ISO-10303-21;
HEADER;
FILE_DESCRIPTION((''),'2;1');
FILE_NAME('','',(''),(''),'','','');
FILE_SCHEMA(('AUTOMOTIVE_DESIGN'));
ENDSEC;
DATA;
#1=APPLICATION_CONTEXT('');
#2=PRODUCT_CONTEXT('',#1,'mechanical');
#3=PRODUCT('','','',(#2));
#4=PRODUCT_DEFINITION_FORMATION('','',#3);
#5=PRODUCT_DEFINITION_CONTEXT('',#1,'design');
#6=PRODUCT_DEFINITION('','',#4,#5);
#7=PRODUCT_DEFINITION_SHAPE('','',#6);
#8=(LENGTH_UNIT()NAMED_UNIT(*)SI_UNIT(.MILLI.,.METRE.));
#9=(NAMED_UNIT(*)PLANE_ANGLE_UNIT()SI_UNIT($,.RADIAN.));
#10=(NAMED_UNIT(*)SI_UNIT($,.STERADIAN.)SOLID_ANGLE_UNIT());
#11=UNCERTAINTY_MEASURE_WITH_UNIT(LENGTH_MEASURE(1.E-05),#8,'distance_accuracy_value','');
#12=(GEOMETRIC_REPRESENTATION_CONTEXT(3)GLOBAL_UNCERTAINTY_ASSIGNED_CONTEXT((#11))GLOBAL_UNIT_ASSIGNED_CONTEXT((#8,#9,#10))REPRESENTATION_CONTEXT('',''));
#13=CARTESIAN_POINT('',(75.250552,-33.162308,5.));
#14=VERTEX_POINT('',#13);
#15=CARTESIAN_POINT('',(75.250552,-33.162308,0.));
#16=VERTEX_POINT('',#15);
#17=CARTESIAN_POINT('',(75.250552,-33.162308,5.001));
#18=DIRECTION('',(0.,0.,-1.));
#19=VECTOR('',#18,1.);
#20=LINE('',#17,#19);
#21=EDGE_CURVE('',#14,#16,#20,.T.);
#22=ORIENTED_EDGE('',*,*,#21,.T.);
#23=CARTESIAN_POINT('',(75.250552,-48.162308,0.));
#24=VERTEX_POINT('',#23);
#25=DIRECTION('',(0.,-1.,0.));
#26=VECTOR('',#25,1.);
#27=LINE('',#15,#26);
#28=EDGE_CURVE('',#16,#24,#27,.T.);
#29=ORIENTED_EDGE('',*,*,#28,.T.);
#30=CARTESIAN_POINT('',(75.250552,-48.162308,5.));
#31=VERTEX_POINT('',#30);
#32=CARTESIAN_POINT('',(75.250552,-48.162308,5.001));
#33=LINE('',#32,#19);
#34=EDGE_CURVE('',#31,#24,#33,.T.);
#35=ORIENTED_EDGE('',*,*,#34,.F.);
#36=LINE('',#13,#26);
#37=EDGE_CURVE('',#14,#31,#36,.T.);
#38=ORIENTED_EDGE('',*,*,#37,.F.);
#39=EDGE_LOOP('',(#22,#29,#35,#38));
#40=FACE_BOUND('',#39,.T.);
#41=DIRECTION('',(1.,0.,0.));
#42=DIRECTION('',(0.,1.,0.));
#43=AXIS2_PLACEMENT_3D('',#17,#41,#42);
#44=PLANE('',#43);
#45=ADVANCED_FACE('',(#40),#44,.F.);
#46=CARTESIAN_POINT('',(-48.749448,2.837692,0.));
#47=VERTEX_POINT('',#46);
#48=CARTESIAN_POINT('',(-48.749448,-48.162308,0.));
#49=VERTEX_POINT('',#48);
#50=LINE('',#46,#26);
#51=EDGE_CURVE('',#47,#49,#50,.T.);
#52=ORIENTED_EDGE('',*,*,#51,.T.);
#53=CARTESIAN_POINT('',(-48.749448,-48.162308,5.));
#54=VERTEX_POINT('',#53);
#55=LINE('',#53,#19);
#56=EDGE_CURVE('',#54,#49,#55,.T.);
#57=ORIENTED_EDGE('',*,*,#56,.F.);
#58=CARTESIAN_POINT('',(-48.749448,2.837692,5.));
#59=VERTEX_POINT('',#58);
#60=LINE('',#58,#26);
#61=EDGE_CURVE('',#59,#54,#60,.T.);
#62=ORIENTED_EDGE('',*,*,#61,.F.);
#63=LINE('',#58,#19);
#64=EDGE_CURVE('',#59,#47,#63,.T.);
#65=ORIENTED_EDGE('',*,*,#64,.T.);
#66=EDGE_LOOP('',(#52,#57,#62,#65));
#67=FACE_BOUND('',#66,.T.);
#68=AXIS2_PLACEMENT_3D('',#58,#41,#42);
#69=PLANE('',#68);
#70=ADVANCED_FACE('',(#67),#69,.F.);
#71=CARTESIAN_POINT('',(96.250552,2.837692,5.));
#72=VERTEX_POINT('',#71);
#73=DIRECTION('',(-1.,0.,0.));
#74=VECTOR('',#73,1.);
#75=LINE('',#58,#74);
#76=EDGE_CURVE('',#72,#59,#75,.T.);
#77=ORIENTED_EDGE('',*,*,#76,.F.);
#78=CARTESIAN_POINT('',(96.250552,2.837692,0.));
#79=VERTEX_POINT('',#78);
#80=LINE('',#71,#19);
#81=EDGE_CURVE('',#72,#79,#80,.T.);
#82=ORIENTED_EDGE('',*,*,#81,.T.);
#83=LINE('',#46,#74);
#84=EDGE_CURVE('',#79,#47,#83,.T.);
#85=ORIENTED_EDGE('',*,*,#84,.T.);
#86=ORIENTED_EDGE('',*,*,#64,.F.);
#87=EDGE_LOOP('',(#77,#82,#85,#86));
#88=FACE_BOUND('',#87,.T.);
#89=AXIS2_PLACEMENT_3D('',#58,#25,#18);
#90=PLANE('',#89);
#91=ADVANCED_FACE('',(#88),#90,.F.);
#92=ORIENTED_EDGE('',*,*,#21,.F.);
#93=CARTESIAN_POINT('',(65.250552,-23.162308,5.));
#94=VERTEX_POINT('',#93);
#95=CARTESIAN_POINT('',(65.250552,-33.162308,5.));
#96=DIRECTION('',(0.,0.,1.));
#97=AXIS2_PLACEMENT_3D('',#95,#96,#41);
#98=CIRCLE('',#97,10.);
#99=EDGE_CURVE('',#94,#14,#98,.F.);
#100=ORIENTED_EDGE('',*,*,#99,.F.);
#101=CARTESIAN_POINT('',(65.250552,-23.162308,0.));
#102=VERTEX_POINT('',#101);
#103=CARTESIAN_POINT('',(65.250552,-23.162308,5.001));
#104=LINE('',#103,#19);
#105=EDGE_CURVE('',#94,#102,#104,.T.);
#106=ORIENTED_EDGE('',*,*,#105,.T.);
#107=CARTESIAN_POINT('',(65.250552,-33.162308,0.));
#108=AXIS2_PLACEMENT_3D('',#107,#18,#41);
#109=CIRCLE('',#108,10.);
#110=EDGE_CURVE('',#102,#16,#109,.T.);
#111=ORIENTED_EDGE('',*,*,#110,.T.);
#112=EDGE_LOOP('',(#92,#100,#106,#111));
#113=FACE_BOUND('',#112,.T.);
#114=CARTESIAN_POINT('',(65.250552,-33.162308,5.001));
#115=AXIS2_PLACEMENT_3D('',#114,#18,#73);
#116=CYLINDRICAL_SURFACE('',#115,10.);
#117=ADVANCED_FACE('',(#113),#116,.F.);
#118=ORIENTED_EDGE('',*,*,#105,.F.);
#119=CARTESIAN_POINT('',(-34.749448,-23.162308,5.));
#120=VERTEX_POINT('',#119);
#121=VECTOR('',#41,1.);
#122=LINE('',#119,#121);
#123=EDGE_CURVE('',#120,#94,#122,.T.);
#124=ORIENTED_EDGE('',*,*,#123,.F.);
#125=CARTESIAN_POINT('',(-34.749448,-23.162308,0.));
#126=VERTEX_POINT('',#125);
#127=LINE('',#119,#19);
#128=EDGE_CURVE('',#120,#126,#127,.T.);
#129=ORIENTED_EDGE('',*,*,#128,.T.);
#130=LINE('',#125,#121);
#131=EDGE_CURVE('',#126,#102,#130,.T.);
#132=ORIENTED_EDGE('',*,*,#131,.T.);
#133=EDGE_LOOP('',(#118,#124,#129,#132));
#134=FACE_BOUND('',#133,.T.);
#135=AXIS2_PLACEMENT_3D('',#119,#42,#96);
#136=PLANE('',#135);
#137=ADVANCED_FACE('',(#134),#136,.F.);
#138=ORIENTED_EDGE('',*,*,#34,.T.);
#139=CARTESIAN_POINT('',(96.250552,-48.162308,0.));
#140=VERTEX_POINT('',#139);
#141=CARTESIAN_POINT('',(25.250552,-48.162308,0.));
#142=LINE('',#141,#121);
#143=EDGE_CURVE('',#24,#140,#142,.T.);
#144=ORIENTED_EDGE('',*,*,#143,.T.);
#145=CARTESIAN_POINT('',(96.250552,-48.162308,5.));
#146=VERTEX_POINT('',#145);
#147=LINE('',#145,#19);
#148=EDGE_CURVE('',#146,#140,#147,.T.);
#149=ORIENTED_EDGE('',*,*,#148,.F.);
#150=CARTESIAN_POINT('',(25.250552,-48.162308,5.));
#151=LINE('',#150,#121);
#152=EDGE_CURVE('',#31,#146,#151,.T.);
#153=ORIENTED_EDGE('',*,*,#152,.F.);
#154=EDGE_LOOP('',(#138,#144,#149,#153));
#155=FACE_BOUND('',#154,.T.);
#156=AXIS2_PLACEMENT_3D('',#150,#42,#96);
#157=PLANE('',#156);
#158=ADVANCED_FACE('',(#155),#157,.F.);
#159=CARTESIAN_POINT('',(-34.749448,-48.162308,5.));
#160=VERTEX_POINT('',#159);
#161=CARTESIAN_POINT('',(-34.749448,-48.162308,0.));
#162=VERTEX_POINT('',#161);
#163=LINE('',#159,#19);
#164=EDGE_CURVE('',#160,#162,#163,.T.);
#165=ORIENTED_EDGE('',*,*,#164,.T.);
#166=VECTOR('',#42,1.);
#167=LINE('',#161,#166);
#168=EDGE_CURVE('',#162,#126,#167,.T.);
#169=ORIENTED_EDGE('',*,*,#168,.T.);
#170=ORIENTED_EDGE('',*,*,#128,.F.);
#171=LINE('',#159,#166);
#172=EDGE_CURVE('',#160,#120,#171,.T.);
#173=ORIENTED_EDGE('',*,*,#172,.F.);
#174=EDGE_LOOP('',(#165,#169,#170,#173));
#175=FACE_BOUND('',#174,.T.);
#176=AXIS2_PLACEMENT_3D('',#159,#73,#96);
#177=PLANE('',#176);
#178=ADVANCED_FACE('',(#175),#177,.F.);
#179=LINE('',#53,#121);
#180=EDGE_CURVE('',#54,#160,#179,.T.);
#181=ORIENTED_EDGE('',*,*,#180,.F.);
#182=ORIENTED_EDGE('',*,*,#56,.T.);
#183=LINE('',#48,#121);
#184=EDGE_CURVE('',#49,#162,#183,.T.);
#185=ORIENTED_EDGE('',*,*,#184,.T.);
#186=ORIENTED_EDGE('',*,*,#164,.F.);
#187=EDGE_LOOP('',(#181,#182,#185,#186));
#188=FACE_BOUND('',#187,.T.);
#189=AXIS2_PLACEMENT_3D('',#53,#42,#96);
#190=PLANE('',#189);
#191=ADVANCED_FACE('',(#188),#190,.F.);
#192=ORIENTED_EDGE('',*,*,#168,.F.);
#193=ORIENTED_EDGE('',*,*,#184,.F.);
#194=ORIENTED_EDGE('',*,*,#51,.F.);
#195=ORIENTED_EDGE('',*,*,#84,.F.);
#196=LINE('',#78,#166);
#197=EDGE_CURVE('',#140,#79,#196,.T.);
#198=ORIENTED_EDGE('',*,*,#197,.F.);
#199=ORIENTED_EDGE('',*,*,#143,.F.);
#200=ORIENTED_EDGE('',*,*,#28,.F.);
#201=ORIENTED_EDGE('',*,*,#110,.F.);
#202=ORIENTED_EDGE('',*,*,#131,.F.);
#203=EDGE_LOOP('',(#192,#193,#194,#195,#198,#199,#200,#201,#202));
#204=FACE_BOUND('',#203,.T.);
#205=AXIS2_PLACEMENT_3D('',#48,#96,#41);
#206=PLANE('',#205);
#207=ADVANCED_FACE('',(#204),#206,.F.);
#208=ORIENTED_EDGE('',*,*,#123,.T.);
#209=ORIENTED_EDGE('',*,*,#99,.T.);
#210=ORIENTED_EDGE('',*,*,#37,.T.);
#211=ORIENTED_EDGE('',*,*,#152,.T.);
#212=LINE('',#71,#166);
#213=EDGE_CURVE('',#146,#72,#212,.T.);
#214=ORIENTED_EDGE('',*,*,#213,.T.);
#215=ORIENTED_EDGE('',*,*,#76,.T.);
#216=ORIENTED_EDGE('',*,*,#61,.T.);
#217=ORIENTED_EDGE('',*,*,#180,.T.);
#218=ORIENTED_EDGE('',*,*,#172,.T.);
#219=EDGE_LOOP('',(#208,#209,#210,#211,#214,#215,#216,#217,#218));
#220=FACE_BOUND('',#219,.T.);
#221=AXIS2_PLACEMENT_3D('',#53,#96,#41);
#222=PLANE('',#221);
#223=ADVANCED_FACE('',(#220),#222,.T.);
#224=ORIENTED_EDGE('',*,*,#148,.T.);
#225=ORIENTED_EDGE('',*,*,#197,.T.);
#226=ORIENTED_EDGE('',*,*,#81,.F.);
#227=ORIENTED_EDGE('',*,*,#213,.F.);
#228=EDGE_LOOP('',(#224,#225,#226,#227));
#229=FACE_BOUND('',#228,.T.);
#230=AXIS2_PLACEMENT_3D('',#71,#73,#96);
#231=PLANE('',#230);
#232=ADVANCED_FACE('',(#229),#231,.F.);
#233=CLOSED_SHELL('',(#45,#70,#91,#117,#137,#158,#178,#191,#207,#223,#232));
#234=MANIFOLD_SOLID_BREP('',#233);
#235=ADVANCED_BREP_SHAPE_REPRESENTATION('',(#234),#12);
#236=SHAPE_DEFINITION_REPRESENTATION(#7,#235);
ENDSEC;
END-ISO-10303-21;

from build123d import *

# Parameters (mm, degrees)
EXTRUSION1_DEPTH = 5
EXTRUSION2_REACH = 109.744


with BuildPart() as part:
    # Esquisse1 → Extrusion1 (new body)
    with BuildSketch(Plane.XY):
        Polygon((-48.749448329, -48.162307692), (-34.749448329, -48.162307692), (-34.749448329, -23.162307692), (25.250551671, -23.162307692), (25.250551671, -48.162307692), (96.250551671, -48.162307692), (96.250551671, 2.837692308), (-48.749448329, 2.837692308), align=None)
    extrude(amount=EXTRUSION1_DEPTH)

    # Esquisse3 → Extrusion2 (cut, up to next)
    with BuildSketch(Plane(origin=(0, 0, 0), x_dir=(-1, 0, 0), z_dir=(0, 0, -1)), mode=Mode.PRIVATE) as extrusion2_sk1:
        with BuildLine():
            Line((-25.250551671, -23.162307692), (-65.250551671, -23.162307692))
            ThreePointArc((-65.250551671, -23.162307692), (-72.321619482, -26.09123988), (-75.250551671, -33.162307692))
            Line((-75.250551671, -33.162307692), (-75.250551671, -48.162307692))
            Line((-75.250551671, -48.162307692), (-25.250551671, -48.162307692))
            Line((-25.250551671, -48.162307692), (-25.250551671, -23.162307692))
        make_face()
    extrusion2_tool1 = extrude(extrusion2_sk1.sketch, amount=-EXTRUSION2_REACH, mode=Mode.PRIVATE) & part.part
    add(extrusion2_tool1.solids().sort_by_distance((49.852869, -35.84164, 0))[0], mode=Mode.SUBTRACT)


solid = part.part
